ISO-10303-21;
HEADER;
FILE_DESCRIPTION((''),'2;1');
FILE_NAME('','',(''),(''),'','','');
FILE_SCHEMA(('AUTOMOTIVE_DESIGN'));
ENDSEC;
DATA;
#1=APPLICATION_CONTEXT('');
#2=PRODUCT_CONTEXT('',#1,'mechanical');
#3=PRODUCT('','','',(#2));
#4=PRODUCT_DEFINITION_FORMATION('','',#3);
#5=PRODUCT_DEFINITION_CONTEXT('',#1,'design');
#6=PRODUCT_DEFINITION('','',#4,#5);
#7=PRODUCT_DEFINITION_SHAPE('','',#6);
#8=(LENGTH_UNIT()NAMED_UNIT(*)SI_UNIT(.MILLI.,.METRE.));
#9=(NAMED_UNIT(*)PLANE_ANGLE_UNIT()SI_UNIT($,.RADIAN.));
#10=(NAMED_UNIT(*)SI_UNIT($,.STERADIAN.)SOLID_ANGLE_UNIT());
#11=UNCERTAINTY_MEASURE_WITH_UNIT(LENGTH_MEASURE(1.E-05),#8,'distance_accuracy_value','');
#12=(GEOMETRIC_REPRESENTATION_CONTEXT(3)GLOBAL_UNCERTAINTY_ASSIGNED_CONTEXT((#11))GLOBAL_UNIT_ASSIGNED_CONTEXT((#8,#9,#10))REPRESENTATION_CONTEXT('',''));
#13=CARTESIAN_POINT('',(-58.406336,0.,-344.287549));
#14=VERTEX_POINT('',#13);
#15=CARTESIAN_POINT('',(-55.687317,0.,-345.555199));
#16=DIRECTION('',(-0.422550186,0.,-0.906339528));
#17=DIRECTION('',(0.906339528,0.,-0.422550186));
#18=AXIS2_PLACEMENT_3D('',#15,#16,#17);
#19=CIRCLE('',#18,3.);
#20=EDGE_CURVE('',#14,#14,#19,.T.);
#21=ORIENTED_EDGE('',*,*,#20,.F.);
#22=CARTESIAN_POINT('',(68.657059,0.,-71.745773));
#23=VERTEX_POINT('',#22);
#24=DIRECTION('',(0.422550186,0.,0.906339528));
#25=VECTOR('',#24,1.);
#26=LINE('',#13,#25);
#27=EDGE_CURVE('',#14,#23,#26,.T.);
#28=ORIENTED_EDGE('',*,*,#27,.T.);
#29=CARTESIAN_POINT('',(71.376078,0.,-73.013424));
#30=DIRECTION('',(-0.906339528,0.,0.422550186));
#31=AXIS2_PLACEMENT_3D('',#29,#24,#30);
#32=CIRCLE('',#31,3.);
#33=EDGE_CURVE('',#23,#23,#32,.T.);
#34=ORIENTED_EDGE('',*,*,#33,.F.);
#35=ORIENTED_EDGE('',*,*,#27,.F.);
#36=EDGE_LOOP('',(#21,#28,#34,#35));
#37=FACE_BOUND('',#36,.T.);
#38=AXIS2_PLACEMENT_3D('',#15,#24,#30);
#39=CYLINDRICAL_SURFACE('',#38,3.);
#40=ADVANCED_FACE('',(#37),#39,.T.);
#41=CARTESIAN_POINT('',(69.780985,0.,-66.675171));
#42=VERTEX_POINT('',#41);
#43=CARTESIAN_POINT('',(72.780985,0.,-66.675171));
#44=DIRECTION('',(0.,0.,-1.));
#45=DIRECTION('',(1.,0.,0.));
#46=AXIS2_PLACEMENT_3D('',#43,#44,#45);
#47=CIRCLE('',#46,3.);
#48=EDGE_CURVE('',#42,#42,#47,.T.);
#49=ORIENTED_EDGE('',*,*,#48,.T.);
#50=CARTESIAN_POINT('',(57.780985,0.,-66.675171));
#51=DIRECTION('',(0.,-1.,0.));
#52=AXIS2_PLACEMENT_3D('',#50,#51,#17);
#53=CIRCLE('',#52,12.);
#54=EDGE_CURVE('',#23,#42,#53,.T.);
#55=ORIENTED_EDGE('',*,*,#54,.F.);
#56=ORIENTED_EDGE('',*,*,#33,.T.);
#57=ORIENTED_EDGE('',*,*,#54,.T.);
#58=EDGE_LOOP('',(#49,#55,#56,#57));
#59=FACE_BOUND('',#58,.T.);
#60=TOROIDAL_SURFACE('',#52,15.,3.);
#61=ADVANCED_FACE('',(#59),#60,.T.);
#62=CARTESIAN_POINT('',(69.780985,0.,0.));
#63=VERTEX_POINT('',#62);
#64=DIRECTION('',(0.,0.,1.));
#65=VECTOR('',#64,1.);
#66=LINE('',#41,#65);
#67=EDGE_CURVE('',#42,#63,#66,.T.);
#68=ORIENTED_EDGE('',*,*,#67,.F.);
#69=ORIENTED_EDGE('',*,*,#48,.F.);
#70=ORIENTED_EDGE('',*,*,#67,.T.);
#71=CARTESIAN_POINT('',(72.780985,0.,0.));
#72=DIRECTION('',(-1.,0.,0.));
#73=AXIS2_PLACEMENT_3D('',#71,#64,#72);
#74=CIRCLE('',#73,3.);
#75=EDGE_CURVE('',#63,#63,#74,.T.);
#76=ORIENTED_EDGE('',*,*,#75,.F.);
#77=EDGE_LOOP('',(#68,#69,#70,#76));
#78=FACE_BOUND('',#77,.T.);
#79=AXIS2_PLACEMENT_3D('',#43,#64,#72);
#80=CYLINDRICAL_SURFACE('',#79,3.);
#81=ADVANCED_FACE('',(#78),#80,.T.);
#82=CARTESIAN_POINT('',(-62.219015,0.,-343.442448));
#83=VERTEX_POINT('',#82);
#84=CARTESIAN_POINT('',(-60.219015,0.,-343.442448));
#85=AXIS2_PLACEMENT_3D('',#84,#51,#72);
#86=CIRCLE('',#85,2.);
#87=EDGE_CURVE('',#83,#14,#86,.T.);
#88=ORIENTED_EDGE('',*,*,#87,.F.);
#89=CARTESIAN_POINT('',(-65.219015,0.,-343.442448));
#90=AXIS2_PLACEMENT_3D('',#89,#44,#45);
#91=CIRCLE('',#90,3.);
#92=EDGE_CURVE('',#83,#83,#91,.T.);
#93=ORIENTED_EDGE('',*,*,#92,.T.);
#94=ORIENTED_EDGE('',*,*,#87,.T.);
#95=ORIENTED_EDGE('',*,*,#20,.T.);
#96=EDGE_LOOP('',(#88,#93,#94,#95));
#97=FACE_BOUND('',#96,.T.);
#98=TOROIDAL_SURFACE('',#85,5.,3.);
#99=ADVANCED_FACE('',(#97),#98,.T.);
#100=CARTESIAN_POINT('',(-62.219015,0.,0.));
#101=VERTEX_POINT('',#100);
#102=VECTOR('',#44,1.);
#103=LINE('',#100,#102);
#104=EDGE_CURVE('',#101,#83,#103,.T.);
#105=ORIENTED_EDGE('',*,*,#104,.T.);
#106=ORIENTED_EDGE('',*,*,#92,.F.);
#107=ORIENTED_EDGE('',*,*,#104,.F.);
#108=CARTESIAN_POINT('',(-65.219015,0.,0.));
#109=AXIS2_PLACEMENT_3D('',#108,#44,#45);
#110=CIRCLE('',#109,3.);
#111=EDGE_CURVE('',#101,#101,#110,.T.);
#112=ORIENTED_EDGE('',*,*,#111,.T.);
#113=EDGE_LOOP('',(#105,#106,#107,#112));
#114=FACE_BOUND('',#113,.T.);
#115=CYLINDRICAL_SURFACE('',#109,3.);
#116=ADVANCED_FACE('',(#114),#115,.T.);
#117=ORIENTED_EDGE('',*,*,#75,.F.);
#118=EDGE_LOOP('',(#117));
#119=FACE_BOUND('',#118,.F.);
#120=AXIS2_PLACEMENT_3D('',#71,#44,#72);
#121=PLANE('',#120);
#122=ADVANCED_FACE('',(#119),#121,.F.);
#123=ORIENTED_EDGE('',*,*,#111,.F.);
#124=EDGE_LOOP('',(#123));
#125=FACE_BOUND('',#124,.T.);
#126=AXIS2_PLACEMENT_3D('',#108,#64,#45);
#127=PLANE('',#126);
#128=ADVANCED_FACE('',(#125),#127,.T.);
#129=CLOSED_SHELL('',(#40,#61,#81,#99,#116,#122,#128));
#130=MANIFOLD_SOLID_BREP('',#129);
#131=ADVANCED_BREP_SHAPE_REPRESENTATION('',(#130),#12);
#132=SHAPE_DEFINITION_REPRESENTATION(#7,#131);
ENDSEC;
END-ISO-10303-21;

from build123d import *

# Parameters (mm, degrees)
F1_R = 3


with BuildPart() as f2:
    # F2: sweep along a path in F0
    with BuildLine(Plane.XZ) as f2_path:
        Line((-65.219014883, 0), (-65.219014883, -343.4424483332))
        ThreePointArc((-65.219014883, -343.4424483332), (-61.301029622, -348.3239690086), (-55.6873172411, -345.5551992608))
        Line((-55.6873172411, -345.5551992608), (71.3760780427, -73.0134238694))
        ThreePointArc((71.3760780427, -73.0134238694), (72.4255471433, -69.9212153032), (72.780985117, -66.6751710865))
        Line((72.780985117, -66.6751710865), (72.780985117, 0))
    # F1 (on Top) → F2 (sweep)
    with BuildSketch(Plane.XY):
        with Locations((-65.219014883, 0)):
            Circle(F1_R)
    sweep(path=f2_path.line)


solid = f2.part
